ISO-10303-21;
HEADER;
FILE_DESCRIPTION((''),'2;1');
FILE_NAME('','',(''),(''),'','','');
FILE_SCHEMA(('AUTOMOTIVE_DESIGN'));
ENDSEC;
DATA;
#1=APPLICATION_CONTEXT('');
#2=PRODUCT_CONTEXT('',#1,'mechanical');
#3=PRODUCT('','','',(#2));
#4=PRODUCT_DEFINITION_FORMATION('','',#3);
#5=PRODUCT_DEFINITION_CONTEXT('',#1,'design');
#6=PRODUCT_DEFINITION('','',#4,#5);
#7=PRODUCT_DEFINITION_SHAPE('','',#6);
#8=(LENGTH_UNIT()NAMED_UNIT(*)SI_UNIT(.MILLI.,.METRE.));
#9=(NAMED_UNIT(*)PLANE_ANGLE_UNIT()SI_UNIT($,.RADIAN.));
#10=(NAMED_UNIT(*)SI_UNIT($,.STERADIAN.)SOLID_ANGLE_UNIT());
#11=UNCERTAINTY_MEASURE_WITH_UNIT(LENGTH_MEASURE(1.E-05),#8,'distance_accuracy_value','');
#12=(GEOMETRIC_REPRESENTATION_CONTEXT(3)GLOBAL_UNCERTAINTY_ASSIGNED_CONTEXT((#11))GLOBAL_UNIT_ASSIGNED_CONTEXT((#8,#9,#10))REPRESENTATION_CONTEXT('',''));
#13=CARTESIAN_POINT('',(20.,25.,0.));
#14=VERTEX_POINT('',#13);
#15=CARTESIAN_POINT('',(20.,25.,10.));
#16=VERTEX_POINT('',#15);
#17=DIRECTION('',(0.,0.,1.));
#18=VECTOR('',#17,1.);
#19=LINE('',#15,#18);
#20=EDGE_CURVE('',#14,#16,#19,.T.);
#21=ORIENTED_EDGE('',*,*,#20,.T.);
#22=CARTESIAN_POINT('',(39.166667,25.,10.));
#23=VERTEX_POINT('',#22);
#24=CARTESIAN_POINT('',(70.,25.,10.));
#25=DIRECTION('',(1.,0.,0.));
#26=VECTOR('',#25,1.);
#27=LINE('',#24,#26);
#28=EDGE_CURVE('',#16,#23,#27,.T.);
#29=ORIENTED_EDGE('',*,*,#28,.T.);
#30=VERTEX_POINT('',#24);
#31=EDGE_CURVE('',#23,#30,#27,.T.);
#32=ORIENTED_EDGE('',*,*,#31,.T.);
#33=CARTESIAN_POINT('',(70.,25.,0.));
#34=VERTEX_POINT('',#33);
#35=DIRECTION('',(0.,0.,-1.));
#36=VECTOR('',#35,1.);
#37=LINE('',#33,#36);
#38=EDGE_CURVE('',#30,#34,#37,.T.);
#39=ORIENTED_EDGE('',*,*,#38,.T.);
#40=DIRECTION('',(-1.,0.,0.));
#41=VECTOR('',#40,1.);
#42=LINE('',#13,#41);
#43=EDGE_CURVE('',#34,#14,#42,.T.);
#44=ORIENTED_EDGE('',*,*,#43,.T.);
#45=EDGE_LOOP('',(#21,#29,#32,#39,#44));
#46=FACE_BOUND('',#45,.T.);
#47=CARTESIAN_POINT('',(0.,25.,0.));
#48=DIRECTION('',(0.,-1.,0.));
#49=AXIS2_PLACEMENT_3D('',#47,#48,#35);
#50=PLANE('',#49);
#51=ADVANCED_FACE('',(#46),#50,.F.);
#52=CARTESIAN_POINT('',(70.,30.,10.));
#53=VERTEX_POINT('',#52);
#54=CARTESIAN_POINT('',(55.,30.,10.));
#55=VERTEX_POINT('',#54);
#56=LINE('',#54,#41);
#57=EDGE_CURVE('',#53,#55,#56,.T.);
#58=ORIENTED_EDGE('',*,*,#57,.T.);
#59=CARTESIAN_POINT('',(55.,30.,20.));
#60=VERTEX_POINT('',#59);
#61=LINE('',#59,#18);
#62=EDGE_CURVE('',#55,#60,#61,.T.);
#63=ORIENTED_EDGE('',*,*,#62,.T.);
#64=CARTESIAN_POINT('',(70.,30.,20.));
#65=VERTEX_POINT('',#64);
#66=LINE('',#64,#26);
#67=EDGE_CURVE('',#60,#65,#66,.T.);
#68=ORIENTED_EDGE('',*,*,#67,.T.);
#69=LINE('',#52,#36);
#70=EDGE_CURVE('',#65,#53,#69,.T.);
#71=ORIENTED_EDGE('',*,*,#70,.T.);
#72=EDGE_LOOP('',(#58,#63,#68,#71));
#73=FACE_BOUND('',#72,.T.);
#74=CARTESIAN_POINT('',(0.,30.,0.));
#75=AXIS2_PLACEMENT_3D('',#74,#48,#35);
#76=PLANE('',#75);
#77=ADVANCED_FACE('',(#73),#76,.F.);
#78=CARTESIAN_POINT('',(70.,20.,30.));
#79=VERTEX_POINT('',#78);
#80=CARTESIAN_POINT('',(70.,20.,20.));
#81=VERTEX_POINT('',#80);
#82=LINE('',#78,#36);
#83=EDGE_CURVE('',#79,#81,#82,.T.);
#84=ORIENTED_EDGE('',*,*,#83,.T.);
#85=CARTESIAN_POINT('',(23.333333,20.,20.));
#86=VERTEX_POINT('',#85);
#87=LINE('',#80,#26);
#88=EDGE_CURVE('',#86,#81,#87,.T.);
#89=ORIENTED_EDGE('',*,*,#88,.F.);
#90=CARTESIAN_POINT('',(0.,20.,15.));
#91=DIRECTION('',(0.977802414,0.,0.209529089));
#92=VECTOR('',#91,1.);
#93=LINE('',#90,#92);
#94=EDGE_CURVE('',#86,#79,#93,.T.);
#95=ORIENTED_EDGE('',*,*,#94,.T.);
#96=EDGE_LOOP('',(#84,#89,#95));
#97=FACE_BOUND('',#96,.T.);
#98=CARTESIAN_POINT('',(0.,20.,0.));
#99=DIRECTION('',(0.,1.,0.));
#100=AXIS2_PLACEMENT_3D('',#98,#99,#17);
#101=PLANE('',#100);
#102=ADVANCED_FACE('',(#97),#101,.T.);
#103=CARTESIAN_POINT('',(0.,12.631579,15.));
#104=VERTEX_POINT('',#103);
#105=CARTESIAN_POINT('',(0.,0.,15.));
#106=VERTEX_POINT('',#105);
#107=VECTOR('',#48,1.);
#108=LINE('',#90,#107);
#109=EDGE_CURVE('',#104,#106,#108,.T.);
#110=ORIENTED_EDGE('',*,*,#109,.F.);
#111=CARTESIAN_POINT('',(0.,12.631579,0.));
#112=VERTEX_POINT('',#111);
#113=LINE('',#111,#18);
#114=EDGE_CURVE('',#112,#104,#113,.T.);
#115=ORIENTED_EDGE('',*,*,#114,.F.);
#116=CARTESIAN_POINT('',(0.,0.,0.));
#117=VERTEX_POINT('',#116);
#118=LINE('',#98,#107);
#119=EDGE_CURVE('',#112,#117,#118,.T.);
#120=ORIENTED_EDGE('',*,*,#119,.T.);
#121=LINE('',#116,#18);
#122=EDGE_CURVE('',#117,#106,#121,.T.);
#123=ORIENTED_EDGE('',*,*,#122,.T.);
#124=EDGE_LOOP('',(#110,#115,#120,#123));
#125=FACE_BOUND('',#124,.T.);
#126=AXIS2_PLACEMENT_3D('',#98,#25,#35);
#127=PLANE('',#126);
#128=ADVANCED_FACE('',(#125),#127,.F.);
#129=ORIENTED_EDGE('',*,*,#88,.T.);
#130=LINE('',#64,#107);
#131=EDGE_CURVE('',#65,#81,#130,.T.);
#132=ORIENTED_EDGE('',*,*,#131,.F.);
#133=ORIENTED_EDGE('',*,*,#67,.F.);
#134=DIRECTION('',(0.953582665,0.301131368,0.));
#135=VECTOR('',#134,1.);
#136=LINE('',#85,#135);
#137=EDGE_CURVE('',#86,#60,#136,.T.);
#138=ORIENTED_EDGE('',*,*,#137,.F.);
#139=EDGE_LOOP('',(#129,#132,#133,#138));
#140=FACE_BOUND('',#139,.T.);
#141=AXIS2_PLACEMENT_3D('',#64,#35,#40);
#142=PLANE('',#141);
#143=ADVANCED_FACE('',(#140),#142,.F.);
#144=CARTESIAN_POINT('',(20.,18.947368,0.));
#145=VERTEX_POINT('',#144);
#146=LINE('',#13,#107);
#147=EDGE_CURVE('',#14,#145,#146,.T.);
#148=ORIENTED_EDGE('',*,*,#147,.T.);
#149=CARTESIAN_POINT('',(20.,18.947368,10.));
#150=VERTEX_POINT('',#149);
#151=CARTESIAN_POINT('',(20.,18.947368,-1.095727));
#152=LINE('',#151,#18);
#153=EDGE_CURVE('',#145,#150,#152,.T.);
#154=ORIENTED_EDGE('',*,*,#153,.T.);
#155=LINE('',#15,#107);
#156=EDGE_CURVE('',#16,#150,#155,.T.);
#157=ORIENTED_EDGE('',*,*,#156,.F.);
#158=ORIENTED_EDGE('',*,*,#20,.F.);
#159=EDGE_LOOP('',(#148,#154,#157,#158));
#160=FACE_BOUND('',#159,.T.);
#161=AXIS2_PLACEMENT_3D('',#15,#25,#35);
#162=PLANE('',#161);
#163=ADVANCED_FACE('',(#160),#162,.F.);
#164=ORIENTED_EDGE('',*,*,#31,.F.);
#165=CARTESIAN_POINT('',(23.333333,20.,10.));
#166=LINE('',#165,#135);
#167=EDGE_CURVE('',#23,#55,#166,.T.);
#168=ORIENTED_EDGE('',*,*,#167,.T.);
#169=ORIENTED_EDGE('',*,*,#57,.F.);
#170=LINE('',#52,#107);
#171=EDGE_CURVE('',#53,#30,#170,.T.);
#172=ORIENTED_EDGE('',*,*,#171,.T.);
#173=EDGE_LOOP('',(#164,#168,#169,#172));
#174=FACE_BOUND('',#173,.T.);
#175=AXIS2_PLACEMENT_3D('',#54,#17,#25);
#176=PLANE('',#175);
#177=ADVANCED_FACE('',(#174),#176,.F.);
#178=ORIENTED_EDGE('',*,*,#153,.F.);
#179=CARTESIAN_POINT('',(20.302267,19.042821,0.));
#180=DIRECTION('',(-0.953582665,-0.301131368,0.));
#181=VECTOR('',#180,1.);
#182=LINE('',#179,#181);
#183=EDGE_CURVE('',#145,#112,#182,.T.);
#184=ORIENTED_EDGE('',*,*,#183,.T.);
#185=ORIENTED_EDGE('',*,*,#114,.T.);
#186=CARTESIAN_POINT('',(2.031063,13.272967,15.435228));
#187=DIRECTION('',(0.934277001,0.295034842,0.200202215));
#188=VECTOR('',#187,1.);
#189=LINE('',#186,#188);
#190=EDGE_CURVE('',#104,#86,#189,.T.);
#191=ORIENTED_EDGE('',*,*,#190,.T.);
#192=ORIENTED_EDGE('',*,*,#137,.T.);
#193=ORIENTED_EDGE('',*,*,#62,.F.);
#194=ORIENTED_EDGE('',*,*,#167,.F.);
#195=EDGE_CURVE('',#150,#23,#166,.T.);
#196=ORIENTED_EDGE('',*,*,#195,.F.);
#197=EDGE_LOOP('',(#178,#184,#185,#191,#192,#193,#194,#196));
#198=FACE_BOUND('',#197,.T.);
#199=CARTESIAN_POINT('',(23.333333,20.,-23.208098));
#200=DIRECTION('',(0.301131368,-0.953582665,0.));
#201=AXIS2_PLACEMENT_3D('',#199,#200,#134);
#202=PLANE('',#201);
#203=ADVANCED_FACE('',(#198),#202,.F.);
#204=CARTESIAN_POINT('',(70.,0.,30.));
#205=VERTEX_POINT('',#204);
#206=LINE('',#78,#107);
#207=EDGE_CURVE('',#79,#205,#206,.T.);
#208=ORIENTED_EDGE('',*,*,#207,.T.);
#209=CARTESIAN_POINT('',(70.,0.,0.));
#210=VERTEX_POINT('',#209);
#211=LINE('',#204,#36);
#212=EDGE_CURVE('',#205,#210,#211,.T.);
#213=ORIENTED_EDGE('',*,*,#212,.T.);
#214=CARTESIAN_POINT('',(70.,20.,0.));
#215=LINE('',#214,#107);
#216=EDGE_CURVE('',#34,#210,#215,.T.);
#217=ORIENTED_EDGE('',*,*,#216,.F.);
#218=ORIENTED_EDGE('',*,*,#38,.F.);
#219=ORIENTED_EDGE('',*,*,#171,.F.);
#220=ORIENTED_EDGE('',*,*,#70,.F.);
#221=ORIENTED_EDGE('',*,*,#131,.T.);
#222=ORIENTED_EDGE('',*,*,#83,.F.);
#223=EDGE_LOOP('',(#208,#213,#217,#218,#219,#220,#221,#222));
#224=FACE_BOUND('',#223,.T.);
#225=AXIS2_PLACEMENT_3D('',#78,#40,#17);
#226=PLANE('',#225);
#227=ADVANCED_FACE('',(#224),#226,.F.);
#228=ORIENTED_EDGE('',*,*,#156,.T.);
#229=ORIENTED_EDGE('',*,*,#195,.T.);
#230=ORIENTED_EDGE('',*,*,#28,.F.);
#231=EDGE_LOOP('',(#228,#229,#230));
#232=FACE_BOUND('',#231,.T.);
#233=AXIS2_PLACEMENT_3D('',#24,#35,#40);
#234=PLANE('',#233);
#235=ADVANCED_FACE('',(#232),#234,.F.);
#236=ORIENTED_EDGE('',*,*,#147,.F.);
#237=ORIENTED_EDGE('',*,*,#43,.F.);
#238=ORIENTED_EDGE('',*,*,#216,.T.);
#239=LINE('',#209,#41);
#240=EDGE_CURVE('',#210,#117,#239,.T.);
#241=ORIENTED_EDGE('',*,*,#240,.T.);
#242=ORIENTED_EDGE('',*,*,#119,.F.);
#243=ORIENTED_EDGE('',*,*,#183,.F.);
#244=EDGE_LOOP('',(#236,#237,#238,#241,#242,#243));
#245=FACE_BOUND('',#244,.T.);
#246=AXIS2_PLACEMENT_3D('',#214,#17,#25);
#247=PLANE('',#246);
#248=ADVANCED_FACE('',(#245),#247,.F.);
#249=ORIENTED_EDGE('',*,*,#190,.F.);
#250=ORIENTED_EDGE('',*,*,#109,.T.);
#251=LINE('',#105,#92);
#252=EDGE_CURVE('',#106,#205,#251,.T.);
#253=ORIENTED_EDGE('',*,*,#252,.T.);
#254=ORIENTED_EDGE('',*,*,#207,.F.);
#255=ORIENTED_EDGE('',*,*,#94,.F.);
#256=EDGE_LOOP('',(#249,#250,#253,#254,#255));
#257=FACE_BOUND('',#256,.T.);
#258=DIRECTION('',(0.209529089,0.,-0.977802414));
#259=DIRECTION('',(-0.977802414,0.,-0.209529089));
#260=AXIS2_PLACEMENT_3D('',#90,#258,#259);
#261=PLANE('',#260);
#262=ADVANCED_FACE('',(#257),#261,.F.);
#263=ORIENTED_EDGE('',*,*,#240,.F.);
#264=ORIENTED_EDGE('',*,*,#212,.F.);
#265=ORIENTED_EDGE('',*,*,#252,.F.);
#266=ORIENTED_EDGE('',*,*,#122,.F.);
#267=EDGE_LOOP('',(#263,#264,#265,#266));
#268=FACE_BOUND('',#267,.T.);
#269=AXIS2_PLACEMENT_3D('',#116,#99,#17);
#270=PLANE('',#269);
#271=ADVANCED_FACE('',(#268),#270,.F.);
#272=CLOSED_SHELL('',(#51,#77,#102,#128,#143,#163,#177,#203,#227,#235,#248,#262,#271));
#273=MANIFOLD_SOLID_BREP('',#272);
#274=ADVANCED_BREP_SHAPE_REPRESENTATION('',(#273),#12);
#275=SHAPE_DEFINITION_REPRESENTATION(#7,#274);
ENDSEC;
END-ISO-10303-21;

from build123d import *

# Parameters (mm, degrees)
EXTRUDE_1_DEPTH     = 20
SKETCH_2_W          = 15
SKETCH_2_H          = 10
EXTRUDE_2_DEPTH     = 10
SKETCH_3_W          = 50
SKETCH_3_H          = 10
EXTRUDE_3_DEPTH     = 5
EXTRUDE_4_DEPTH     = 10
CUT_EXTRUDE_2_DEPTH = 82.631660278
EXTRUDE_5_DEPTH     = 10


with BuildPart() as part:
    # 草图1 → 凸台-拉伸1 (new body)
    with BuildSketch(Plane(origin=(0, 0, 0), x_dir=(1, 0, 0), z_dir=(0, 1, 0))):
        Polygon((0, 0), (0, -15), (70, -30), (70, 0), align=None)
    extrude(amount=EXTRUDE_1_DEPTH)

    # 草图2 → 凸台-拉伸2 (add)
    with BuildSketch(Plane(origin=(0, 20, 0), x_dir=(1, 0, 0), z_dir=(0, 1, 0))):
        with Locations((62.5, -15)):
            Rectangle(SKETCH_2_W, SKETCH_2_H)
    extrude(amount=EXTRUDE_2_DEPTH)

    # 草图3 → 凸台-拉伸3 (add)
    with BuildSketch(Plane(origin=(0, 20, 0), x_dir=(1, 0, 0), z_dir=(0, 1, 0))):
        with Locations((45, -5)):
            Rectangle(SKETCH_3_W, SKETCH_3_H)
    extrude(amount=EXTRUDE_3_DEPTH)

    # 草图6 → 凸台-拉伸4 (add)
    with BuildSketch(Plane(origin=(0, 0, 20), x_dir=(-1, 0, 0), z_dir=(0, 0, -1))):
        Polygon((-23.333333333, 20), (-55, 30), (-55, 20), align=None)
    extrude(amount=EXTRUDE_4_DEPTH)

    # 草图12 → 切除-拉伸2 (cut, through all)
    with BuildSketch(Plane(origin=(-3.62720403, 11.486146096, 0), x_dir=(0.9535826651341409, 0.30113136793709994, 0), z_dir=(-0.3011313679370999, 0.9535826651341408, 0))):
        Polygon((2.464685971, 0), (2.464685971, -20), (63.372000863, -20), (63.372000863, -10), (25.094280661, -10), (25.094280661, 0), align=None)
    extrude(amount=CUT_EXTRUDE_2_DEPTH, mode=Mode.SUBTRACT)

    # 草图14 → 凸台-拉伸5 (add)
    with BuildSketch(Plane.XY.offset(10)):
        Polygon((20, 20), (20, 18.947368421), (20.304276784, 19.043455826), align=None)
    extrude(amount=-EXTRUDE_5_DEPTH)


solid = part.part
